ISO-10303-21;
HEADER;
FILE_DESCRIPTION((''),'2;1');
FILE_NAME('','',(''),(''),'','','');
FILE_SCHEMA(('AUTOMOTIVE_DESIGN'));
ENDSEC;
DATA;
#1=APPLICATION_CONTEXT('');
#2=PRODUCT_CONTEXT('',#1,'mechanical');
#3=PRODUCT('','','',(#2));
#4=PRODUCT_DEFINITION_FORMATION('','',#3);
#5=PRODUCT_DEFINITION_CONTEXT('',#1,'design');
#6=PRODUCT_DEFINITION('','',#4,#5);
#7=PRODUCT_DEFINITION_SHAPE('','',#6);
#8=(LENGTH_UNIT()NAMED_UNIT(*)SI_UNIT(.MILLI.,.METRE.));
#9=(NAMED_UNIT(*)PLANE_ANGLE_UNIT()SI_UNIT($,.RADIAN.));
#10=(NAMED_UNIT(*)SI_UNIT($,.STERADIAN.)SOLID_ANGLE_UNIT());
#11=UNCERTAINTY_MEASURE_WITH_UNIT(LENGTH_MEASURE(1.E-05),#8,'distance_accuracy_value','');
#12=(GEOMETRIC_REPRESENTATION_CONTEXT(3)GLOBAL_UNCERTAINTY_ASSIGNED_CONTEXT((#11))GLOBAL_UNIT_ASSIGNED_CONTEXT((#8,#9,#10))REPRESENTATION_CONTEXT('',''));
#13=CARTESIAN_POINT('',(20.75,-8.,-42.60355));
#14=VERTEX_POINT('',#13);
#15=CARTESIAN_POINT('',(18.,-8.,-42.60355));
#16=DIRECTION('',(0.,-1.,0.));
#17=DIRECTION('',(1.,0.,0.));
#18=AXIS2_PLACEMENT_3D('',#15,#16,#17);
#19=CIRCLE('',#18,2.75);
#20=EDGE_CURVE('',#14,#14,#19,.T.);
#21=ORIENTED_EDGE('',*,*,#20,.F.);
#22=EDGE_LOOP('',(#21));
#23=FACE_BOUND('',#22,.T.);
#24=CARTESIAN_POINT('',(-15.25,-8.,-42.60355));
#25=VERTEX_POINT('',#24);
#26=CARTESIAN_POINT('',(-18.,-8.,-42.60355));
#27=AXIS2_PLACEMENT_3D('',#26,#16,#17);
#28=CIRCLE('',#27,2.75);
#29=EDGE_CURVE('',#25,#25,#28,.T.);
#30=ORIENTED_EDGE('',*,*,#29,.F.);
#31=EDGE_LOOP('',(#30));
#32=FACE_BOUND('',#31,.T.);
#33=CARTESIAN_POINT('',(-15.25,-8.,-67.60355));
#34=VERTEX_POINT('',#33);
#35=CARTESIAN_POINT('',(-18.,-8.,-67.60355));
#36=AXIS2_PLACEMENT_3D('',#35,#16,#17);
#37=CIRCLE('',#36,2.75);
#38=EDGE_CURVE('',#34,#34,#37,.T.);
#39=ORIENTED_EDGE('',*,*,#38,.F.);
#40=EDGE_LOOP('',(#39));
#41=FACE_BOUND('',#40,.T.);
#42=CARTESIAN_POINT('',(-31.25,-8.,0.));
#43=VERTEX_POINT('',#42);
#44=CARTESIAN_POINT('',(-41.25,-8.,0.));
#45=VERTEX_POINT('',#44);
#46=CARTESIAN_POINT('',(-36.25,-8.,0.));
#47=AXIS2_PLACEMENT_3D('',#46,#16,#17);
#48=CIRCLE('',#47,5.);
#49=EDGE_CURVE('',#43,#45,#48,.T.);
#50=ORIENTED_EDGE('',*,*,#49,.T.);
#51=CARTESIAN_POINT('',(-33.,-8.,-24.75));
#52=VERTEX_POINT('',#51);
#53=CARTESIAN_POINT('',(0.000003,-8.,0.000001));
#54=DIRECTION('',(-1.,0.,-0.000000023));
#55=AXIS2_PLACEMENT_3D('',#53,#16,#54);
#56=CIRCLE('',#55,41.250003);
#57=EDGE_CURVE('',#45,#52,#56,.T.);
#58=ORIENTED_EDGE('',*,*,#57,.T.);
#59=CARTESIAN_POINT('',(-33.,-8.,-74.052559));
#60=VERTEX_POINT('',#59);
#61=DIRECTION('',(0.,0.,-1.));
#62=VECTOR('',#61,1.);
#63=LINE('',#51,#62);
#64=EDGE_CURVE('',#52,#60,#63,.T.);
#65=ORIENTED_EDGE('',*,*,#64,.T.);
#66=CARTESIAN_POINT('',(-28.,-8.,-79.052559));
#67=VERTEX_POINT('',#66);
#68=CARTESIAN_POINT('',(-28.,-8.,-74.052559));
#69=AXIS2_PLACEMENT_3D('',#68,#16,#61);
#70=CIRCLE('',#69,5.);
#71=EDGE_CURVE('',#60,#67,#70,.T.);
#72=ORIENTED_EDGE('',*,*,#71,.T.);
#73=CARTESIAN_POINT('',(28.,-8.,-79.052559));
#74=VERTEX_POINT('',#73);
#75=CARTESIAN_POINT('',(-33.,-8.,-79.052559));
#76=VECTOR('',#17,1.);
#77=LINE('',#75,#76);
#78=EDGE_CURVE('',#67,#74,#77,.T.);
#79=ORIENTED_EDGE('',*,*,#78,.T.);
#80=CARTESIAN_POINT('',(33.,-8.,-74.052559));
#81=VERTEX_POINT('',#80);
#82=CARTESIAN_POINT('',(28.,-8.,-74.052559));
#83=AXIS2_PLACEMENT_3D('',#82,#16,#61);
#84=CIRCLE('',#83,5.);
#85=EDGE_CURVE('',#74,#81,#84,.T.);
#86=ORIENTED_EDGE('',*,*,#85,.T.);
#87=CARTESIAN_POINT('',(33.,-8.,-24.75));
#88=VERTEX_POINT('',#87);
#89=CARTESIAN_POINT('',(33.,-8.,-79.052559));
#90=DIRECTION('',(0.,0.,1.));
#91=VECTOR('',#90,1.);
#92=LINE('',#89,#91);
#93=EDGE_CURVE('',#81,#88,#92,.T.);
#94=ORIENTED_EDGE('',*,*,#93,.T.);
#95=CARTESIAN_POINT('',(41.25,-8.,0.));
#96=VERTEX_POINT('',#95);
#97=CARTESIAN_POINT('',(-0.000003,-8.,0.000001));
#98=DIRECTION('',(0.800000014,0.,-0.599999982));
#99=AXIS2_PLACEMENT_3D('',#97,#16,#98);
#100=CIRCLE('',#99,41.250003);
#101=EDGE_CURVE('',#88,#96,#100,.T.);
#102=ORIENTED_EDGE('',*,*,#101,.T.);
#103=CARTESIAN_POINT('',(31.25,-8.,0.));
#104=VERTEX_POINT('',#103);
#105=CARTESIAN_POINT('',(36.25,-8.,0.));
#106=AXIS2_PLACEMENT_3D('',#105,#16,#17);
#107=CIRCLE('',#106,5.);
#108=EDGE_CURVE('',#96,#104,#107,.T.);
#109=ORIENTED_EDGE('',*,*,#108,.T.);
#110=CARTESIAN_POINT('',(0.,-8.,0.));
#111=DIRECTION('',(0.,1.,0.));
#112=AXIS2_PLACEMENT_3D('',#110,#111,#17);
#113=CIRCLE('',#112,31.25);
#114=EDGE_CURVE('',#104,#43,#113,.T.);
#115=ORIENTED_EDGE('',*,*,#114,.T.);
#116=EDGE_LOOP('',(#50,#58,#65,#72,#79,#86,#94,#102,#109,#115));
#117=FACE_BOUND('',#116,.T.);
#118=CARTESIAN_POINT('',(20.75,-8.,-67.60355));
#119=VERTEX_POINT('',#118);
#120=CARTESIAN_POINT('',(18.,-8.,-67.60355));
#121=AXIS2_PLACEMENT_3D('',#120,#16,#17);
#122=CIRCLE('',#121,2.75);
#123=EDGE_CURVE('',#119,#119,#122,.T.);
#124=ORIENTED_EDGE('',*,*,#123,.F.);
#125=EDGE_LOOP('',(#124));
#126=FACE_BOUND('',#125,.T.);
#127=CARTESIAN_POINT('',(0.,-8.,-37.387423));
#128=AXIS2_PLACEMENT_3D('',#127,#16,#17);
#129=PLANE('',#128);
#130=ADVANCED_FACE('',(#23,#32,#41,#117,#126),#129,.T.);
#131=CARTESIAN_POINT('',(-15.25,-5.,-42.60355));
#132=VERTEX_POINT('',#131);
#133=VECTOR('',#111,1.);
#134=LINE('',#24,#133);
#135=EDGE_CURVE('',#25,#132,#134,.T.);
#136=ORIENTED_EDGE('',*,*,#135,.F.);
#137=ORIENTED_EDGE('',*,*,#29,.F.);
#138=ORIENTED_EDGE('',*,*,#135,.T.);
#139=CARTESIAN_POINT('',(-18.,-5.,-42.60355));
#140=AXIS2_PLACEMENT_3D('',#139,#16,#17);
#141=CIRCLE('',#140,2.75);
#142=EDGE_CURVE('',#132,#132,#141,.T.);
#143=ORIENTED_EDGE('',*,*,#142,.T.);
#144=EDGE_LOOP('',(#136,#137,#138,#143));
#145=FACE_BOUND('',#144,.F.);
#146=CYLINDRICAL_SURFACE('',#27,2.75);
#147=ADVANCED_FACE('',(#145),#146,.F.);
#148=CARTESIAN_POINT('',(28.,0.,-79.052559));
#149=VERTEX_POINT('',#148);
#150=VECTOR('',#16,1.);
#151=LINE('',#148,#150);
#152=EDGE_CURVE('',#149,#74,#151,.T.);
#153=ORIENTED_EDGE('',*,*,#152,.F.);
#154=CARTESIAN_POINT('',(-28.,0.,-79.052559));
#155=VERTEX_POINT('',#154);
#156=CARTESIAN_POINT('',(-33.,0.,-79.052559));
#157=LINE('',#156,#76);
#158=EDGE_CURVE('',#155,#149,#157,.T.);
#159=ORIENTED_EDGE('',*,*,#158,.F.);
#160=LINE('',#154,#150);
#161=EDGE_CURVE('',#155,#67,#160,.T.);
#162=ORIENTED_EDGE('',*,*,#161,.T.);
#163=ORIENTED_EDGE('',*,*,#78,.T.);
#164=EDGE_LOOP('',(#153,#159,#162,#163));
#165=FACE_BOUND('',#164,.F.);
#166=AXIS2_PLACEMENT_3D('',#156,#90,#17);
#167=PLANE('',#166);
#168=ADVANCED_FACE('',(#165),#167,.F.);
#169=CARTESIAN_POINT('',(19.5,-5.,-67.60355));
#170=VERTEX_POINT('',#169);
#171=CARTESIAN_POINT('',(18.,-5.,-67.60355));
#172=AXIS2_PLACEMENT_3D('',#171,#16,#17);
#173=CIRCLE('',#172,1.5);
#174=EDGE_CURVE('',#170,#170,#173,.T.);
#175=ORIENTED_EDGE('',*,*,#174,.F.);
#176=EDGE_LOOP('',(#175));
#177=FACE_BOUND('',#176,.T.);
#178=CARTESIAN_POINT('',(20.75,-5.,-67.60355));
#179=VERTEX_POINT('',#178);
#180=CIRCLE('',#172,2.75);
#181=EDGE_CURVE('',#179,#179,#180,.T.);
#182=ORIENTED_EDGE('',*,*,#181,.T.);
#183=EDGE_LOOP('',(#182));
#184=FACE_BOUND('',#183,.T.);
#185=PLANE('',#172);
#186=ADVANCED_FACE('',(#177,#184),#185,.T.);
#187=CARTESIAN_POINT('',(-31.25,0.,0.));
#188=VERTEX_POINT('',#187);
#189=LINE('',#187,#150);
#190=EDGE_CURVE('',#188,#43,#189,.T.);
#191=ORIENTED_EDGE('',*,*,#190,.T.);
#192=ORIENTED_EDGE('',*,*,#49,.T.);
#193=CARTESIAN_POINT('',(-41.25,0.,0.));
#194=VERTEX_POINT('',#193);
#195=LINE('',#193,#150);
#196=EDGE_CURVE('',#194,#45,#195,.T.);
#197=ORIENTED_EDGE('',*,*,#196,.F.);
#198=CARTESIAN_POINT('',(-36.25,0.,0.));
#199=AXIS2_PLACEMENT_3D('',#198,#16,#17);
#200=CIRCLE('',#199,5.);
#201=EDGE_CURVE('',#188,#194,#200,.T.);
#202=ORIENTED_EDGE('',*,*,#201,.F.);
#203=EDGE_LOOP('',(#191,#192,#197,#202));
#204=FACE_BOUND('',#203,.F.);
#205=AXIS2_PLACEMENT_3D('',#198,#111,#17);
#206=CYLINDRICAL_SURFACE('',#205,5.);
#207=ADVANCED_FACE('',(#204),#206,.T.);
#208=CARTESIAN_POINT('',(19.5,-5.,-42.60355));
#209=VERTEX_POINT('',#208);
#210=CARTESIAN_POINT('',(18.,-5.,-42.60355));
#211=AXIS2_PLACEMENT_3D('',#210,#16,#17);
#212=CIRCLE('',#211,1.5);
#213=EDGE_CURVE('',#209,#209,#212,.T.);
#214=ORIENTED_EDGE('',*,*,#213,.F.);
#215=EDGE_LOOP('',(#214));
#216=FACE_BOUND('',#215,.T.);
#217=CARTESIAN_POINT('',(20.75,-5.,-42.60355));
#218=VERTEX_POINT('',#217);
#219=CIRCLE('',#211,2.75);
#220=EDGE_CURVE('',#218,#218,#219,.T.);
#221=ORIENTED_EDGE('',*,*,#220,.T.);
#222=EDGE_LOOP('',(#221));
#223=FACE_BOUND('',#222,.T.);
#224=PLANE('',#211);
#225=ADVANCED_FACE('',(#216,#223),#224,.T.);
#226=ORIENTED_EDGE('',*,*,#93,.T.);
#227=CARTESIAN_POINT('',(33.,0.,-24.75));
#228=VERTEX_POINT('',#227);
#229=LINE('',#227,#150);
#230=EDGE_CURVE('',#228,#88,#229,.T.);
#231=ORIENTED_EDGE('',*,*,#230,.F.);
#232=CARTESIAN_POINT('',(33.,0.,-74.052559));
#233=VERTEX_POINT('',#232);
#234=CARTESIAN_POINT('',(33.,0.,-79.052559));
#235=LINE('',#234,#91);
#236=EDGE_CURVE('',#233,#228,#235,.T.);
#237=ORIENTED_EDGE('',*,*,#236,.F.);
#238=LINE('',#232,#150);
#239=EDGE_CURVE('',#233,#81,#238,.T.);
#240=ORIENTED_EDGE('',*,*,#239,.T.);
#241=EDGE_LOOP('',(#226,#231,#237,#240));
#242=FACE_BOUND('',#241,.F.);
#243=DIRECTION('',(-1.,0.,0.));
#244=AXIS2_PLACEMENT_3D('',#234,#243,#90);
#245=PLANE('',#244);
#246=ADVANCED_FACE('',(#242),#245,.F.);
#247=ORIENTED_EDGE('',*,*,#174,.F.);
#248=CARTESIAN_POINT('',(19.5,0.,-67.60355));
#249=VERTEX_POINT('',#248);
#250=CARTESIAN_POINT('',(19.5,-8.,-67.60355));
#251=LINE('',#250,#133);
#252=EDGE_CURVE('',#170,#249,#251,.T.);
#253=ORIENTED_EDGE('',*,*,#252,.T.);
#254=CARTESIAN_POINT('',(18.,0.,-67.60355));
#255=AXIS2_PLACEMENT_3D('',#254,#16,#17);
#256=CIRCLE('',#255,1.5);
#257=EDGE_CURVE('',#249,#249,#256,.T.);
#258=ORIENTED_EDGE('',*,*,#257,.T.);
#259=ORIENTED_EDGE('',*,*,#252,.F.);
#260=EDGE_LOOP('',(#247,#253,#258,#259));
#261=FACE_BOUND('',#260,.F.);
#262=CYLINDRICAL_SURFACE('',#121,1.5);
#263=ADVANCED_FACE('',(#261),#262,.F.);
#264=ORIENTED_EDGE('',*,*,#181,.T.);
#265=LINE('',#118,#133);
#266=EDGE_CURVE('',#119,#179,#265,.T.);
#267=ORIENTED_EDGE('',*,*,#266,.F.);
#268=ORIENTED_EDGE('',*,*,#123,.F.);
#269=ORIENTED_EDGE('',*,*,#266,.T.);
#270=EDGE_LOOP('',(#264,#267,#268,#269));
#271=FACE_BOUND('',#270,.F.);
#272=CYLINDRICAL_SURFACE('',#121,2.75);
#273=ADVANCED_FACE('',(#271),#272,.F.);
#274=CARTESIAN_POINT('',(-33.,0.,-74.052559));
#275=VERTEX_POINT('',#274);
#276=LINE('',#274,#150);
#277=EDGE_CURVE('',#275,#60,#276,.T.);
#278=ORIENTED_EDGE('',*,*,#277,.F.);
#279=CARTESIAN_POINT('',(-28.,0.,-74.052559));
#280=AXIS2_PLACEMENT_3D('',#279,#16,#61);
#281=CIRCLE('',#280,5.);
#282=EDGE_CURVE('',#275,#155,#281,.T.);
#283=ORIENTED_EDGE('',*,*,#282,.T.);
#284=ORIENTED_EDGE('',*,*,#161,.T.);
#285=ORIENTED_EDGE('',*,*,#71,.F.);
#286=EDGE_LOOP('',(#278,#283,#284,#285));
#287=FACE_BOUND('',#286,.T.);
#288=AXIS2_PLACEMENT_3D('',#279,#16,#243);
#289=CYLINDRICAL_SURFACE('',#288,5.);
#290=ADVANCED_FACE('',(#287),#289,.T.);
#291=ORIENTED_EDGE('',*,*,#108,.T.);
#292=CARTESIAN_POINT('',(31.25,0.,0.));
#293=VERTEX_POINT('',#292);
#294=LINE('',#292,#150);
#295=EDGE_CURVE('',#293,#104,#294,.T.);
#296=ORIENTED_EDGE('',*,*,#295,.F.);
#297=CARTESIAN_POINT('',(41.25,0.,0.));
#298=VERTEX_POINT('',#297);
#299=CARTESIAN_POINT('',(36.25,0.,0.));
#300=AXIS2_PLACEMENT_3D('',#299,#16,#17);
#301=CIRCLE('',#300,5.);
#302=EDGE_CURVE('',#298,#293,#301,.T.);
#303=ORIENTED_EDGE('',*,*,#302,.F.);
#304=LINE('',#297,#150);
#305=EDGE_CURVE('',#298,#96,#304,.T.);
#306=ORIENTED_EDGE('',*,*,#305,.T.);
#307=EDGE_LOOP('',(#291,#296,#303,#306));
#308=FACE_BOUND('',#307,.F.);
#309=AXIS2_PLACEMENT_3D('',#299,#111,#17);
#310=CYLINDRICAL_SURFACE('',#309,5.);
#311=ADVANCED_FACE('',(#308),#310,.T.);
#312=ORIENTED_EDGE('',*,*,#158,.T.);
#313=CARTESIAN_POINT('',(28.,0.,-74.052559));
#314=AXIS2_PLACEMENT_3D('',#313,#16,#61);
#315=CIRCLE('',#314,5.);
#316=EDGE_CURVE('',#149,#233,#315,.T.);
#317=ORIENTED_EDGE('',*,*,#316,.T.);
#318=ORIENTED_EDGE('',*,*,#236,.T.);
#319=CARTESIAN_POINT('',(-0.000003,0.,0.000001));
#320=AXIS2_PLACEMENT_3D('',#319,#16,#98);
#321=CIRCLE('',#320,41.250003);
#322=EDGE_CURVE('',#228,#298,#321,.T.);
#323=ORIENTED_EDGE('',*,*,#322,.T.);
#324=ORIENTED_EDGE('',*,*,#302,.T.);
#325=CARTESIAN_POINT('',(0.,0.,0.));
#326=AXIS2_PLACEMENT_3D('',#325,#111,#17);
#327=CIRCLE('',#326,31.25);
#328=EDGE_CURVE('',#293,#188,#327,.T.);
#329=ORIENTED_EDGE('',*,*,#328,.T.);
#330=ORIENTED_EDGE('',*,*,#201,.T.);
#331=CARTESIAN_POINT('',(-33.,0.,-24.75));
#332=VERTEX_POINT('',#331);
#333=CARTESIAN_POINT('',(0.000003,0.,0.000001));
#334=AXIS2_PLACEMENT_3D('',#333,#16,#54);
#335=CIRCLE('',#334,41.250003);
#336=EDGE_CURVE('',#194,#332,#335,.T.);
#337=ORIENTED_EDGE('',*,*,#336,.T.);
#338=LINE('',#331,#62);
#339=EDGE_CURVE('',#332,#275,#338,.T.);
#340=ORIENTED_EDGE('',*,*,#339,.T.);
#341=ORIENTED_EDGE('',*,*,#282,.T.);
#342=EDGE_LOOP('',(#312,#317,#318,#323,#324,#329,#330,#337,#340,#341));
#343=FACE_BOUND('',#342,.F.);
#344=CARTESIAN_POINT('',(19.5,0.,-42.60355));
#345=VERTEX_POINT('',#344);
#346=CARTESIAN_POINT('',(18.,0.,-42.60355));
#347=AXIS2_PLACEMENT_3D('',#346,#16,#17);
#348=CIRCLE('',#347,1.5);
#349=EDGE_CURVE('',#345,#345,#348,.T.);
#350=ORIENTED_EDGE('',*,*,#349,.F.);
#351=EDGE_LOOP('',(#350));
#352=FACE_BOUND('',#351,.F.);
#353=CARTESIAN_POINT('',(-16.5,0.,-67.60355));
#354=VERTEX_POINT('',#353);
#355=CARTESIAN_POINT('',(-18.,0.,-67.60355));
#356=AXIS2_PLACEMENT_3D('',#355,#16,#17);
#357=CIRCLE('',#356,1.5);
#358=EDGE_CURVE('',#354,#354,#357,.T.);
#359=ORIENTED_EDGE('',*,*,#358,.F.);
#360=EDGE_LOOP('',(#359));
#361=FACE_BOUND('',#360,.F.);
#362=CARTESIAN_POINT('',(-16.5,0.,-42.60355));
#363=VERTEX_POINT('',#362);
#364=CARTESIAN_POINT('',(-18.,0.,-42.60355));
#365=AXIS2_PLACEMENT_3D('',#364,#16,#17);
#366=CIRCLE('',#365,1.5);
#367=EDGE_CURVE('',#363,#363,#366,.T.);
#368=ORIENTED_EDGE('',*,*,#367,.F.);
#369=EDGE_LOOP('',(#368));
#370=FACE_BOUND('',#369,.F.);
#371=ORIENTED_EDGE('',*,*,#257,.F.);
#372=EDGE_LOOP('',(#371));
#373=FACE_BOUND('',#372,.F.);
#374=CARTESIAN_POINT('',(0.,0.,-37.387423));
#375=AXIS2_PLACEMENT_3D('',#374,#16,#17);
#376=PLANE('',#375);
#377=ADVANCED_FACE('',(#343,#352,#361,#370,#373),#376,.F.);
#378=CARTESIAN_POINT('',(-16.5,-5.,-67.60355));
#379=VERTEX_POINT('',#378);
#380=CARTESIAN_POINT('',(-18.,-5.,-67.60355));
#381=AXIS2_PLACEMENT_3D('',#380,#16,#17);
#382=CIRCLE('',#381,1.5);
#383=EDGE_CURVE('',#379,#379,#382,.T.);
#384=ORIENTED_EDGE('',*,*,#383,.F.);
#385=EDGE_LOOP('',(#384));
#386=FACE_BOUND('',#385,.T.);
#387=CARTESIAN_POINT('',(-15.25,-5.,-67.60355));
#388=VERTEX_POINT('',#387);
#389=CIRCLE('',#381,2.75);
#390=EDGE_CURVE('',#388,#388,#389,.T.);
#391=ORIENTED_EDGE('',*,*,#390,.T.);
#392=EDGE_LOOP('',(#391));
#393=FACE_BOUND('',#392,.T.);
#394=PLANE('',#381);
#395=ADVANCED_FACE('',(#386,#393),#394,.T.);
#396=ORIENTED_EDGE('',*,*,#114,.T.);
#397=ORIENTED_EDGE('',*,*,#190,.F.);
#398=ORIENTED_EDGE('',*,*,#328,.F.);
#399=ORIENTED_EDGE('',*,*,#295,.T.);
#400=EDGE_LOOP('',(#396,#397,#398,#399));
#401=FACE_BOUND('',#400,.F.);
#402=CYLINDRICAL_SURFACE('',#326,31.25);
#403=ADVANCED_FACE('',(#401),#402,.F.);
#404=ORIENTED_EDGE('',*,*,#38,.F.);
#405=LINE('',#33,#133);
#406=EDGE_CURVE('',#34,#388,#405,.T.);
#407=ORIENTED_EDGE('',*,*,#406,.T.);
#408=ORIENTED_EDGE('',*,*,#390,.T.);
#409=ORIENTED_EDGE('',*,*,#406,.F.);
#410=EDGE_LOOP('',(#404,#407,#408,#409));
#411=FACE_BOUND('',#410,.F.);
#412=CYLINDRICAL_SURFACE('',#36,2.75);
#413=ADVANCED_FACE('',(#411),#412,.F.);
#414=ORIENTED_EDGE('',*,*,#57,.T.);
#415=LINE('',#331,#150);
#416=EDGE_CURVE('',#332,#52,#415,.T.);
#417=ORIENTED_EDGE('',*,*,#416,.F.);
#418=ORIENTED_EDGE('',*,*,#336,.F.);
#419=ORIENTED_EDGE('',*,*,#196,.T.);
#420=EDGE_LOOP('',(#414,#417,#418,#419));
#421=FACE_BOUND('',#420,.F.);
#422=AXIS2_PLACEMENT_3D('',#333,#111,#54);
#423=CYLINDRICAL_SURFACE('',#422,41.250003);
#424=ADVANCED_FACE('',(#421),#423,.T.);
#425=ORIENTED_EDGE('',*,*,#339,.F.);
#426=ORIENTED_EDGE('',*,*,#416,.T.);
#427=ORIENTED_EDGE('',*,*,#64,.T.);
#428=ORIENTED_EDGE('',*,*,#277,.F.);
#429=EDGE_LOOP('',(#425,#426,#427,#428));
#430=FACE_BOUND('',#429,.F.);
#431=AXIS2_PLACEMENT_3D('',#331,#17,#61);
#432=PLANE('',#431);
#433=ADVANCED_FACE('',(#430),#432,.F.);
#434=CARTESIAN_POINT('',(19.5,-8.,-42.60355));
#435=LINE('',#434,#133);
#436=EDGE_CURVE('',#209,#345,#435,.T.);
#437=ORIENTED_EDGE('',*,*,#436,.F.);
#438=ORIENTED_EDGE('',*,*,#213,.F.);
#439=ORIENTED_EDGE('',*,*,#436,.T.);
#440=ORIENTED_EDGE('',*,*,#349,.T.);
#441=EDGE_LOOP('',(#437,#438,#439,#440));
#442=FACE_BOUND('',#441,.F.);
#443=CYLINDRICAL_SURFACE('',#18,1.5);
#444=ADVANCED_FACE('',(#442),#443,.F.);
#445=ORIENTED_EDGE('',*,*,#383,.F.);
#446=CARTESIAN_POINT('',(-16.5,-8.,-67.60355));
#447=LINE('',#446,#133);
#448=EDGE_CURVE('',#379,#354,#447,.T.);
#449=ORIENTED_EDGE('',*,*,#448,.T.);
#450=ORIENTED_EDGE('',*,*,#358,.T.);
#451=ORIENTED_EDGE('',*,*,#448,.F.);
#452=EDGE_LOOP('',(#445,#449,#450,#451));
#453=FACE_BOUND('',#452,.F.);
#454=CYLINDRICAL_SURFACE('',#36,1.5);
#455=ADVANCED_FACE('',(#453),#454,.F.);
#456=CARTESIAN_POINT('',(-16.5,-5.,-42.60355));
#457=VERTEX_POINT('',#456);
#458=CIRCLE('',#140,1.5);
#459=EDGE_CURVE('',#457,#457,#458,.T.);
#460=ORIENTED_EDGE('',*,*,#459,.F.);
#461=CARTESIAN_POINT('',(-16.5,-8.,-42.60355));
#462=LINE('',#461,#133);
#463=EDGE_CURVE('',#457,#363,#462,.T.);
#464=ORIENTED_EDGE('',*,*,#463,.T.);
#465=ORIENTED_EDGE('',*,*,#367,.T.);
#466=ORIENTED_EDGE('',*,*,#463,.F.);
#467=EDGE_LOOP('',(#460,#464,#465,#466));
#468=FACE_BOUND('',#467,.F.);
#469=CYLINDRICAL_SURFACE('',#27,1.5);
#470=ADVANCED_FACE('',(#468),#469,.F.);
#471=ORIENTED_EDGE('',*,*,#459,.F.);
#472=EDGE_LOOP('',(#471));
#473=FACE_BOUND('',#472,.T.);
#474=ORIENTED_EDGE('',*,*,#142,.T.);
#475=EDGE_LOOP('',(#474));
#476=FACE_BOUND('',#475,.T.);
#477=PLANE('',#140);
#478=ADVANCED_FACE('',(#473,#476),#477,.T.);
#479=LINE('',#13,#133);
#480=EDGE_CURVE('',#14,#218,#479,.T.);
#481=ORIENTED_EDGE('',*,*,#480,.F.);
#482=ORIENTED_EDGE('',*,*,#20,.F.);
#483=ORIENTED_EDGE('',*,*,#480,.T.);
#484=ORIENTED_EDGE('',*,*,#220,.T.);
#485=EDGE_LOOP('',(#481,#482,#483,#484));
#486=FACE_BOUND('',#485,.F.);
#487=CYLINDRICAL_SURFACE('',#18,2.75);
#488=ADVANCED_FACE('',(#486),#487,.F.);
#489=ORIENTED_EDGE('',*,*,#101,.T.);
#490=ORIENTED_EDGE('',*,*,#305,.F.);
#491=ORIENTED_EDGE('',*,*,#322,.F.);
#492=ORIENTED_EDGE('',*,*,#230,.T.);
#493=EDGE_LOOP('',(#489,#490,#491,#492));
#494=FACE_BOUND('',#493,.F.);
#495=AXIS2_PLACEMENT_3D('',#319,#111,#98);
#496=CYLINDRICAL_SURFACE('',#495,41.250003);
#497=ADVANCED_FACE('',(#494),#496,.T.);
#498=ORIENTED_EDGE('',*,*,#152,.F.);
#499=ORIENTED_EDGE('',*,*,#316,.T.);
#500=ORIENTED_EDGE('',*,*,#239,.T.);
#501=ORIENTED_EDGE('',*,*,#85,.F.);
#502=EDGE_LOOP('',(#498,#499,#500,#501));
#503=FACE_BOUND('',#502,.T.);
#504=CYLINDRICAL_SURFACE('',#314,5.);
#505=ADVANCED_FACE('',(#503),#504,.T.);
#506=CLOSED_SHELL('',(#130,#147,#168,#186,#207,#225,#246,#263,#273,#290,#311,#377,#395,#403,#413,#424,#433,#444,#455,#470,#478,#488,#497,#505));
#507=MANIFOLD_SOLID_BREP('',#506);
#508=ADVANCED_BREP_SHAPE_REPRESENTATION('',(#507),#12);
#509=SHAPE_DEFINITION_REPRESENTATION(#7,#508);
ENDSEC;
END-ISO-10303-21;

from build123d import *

# Parameters (mm, degrees)
F1_DEPTH = 8
F2_R     = 1.5
F3_DEPTH = 25
F4_R     = 2.75
F5_DEPTH = 3
F6_R     = 5


with BuildPart() as f1:
    # F0 (on Front) → F1 (new body)
    with BuildSketch(Plane.XZ):
        with BuildLine():
            Line((-33, -24.75), (-33, -79.052559))
            Line((-33, -79.052559), (33, -79.052559))
            Line((33, -79.052559), (33, -24.75))
            ThreePointArc((33, -24.75), (39.133186, -13.044395), (41.25, 0))
            ThreePointArc((41.25, 0), (36.25, 5), (31.25, 0))
            ThreePointArc((31.25, 0), (0, -31.25), (-31.25, 0))
            ThreePointArc((-31.25, 0), (-36.25, 5), (-41.25, 0))
            ThreePointArc((-41.25, 0), (-39.133186, -13.044395), (-33, -24.75))
        make_face()
    extrude(amount=F1_DEPTH)

    # F2 (on face) → F3 (cut)
    with BuildSketch(Plane.XZ.offset(8)):
        with Locations((18, -42.60355)):
            Circle(F2_R)
        with Locations((-18, -42.60355)):
            Circle(F2_R)
        with Locations((-18, -67.60355)):
            Circle(F2_R)
        with Locations((18, -67.60355)):
            Circle(F2_R)
    extrude(amount=-F3_DEPTH, mode=Mode.SUBTRACT)

    # F4 (on face) → F5 (cut)
    with BuildSketch(Plane.XZ.offset(8)):
        with Locations((-18, -42.60355)):
            Circle(F4_R)
        with Locations((18, -42.60355)):
            Circle(F4_R)
        with Locations((18, -67.60355)):
            Circle(F4_R)
        with Locations((-18, -67.60355)):
            Circle(F4_R)
    extrude(amount=-F5_DEPTH, mode=Mode.SUBTRACT)

    # F6
    f6_edges = [f1.edges().sort_by_distance(p)[0] for p in [
        (33, -4, -79.052559),
        (-33, -4, -79.052559),
    ]]
    fillet(f6_edges, radius=F6_R)


solid = f1.part
